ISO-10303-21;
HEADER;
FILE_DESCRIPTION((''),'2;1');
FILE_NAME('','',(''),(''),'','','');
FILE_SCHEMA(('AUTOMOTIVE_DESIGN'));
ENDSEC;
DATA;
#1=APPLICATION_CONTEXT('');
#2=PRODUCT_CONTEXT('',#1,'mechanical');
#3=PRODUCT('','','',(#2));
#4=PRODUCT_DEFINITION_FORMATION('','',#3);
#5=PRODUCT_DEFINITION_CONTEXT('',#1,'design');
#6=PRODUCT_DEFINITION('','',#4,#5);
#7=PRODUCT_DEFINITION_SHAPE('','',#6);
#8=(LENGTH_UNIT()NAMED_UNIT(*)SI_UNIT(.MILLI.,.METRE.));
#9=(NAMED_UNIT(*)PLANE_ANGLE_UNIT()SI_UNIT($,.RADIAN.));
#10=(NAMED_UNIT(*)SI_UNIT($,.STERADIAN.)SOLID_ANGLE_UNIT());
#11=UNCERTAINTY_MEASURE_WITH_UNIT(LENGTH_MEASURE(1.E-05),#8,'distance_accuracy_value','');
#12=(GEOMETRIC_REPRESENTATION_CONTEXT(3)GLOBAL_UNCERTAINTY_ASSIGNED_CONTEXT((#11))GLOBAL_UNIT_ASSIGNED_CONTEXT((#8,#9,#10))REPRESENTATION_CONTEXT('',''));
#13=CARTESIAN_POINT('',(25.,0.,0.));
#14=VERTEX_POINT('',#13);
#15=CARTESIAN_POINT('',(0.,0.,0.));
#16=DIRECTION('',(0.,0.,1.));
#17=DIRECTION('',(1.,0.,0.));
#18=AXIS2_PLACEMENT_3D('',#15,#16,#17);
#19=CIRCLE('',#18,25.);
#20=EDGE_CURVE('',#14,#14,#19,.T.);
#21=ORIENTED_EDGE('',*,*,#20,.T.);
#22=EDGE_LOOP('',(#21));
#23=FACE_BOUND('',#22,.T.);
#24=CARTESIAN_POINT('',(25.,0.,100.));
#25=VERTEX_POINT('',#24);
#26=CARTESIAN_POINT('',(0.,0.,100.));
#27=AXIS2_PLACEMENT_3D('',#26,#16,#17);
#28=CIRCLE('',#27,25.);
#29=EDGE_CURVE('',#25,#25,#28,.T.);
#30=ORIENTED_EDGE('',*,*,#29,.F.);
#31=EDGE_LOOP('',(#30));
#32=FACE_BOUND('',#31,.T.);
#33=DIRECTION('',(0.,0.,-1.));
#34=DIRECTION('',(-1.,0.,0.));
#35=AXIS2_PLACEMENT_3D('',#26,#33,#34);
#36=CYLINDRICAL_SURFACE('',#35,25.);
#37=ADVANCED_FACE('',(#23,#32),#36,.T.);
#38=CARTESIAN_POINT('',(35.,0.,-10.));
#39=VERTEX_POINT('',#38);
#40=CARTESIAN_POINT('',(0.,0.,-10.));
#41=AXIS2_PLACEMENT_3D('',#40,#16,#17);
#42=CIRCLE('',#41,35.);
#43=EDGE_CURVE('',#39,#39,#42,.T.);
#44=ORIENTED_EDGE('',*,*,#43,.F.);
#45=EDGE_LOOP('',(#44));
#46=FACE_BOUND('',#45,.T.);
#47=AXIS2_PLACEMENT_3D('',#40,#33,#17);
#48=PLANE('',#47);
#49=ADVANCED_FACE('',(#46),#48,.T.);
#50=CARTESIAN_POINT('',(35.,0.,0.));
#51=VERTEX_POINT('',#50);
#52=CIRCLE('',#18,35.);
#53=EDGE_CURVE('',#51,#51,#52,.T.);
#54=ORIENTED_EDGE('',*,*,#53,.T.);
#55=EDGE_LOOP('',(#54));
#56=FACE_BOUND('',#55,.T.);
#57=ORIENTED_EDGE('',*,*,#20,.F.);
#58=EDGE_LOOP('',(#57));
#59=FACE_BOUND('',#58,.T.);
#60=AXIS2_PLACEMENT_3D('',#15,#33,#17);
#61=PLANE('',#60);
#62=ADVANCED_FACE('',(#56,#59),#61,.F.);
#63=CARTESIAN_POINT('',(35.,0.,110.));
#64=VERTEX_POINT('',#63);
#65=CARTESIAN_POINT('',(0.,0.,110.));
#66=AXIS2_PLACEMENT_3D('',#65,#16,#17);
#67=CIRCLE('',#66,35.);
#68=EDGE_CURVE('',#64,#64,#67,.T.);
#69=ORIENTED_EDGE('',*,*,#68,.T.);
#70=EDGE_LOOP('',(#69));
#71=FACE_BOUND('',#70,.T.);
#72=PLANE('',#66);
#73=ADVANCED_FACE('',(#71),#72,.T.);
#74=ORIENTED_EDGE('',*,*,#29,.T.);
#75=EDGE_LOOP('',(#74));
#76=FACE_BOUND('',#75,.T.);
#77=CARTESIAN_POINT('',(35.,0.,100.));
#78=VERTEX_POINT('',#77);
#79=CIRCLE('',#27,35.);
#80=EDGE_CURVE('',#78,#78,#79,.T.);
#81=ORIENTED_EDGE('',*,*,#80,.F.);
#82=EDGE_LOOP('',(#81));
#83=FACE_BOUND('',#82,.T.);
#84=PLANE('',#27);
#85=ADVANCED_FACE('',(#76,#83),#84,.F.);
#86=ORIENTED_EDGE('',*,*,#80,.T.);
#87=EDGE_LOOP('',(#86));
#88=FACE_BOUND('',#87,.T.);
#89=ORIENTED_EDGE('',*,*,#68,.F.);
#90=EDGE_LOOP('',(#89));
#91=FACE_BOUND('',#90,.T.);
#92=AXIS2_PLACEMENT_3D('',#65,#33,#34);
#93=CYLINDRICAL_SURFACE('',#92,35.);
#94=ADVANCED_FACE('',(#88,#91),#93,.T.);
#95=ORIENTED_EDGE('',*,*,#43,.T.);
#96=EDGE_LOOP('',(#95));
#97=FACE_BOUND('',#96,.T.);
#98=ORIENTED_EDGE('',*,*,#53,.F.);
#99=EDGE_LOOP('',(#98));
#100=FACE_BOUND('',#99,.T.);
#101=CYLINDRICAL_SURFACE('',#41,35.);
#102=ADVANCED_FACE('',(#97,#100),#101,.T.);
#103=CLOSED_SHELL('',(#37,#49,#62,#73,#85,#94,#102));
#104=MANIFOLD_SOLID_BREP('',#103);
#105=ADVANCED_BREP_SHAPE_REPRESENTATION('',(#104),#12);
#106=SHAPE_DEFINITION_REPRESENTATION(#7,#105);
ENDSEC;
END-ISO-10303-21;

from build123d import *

# Parameters (mm, degrees)
SKETCH1_R           = 25
BOSS_EXTRUDE1_DEPTH = 100
SKETCH2_R           = 35
BOSS_EXTRUDE2_DEPTH = 10


with BuildPart() as part:
    # Sketch1 → Boss-Extrude1 (new body)
    with BuildSketch(Plane.XY):
        Circle(SKETCH1_R)
    extrude(amount=BOSS_EXTRUDE1_DEPTH)

    # Sketch2 → Boss-Extrude2 (add)
    with BuildSketch(Plane.XY.offset(100)):
        Circle(SKETCH2_R)
    boss_extrude2 = extrude(amount=BOSS_EXTRUDE2_DEPTH)

    # Mirror1: Boss-Extrude2 across plane
    add(boss_extrude2.mirror(Plane(origin=(0, 0, 50), x_dir=(1, 0, 0), z_dir=(0, 0, -1))))


solid = part.part
